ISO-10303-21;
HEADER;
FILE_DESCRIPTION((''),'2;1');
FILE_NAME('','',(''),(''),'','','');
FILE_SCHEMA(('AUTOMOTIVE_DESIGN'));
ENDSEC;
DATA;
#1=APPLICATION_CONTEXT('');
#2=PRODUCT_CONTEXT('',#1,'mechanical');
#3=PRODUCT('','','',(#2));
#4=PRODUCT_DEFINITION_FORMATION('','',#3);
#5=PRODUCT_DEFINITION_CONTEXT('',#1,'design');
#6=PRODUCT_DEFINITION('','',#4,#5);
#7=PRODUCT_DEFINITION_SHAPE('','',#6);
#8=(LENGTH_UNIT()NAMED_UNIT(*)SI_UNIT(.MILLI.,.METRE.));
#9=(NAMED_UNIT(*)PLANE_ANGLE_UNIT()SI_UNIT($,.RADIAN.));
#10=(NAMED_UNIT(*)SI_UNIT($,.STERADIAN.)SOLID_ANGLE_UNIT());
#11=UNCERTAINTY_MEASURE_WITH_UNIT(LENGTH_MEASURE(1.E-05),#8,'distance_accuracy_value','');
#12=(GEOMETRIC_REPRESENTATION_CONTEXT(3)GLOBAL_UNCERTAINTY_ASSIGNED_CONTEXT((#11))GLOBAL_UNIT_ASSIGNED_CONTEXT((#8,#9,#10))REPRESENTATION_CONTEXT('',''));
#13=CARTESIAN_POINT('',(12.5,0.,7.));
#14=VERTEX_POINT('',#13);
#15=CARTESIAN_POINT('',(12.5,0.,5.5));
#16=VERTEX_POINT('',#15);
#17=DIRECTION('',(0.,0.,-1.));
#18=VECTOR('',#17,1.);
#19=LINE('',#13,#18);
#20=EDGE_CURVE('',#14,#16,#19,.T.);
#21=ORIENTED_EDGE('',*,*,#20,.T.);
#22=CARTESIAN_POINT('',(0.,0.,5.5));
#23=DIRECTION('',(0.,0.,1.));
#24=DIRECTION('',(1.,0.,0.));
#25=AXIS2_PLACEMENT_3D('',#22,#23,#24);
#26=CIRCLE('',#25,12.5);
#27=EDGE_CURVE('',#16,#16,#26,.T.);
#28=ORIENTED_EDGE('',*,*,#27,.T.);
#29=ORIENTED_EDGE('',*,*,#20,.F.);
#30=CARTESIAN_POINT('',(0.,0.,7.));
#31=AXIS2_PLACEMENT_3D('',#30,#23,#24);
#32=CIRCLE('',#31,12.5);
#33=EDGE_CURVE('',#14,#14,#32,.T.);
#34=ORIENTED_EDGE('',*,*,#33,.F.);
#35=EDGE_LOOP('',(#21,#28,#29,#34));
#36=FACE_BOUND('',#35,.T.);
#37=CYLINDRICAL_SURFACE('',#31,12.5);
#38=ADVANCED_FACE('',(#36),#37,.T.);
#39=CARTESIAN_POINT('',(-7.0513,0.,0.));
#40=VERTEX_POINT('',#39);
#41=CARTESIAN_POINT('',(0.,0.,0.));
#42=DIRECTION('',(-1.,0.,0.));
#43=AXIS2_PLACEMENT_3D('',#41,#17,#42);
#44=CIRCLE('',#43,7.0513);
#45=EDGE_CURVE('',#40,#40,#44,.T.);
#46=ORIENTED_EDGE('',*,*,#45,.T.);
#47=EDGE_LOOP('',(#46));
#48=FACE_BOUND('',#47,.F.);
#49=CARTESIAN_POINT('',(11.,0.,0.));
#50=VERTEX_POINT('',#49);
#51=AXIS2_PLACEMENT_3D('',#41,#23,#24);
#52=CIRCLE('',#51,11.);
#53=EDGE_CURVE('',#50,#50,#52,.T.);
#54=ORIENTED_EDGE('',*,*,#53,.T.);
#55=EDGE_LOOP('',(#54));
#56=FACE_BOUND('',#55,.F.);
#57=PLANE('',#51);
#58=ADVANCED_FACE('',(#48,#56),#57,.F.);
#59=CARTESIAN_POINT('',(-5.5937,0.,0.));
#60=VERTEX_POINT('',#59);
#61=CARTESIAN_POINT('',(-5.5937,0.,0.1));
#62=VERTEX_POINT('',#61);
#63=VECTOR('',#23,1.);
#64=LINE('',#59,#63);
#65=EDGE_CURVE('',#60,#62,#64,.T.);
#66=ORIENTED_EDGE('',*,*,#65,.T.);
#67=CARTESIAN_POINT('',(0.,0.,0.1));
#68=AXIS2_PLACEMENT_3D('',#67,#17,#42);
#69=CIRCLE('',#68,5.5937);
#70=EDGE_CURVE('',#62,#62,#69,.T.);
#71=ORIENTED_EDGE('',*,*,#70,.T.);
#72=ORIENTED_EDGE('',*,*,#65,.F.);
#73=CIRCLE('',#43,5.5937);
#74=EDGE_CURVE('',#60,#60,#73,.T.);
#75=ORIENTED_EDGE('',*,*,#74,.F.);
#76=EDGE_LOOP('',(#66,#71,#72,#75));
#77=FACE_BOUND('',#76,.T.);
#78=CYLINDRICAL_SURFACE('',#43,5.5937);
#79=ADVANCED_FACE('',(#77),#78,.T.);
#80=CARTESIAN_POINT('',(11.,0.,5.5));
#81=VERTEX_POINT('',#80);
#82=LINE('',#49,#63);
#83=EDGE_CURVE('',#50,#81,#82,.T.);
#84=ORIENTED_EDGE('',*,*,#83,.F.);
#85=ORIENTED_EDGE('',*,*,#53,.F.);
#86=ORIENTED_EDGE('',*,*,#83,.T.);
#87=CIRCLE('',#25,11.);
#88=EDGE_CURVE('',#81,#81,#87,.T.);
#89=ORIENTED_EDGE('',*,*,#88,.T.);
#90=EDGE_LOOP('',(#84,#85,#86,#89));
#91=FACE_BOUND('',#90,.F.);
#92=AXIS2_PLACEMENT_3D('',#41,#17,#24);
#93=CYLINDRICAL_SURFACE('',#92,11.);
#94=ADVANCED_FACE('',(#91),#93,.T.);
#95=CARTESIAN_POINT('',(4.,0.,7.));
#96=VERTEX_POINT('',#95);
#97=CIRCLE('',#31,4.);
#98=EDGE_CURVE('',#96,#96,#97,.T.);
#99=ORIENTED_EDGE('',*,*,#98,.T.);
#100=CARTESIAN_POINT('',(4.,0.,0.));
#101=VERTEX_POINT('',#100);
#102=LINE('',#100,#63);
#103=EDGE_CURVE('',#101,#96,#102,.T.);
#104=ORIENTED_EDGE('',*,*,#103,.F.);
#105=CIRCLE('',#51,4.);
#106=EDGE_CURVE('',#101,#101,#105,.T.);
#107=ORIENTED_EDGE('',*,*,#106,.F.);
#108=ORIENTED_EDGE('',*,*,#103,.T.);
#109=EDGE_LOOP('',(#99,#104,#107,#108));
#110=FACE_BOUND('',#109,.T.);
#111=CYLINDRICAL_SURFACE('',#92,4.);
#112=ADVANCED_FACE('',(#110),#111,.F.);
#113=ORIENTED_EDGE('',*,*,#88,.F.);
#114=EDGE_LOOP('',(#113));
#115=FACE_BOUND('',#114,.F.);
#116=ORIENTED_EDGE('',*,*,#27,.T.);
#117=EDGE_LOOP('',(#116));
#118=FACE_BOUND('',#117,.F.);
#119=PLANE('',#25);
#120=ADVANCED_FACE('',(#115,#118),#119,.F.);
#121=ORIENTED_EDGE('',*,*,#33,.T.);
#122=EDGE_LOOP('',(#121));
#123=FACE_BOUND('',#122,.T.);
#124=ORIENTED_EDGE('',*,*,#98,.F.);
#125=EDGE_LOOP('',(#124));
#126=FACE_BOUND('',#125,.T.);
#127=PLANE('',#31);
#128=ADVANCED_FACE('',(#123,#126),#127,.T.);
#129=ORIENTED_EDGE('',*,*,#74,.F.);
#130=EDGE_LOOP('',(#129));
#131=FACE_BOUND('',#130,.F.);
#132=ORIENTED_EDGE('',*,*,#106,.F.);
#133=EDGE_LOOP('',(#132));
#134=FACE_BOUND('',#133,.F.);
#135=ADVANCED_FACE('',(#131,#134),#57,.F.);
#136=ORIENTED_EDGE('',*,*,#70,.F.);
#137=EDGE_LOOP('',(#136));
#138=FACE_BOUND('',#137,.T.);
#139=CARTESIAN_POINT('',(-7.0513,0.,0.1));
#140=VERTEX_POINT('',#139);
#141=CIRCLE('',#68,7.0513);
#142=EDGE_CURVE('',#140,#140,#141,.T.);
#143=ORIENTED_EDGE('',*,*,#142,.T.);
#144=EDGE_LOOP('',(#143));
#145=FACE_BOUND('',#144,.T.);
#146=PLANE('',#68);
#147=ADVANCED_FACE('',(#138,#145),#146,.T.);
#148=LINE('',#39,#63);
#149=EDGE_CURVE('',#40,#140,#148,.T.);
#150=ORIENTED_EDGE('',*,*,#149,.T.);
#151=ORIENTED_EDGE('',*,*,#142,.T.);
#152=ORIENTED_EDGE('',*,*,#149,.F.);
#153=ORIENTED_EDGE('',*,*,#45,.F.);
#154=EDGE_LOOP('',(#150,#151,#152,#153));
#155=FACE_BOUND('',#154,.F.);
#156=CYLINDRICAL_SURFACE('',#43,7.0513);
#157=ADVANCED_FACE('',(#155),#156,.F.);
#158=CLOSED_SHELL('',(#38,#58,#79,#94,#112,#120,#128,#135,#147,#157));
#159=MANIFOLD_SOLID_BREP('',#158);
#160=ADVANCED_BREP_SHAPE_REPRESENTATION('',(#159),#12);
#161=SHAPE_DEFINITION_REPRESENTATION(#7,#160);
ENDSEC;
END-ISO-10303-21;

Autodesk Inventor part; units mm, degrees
ref_plane "YZ Plane" through (0, 0, 0) normal (1, 0, 0) x (0, 1, 0)
ref_plane "XZ Plane" through (0, 0, 0) normal (0, 1, 0) x (-1, 0, 0)
ref_plane "XY Plane" through (0, 0, 0) normal (0, 0, 1) x (1, 0, 0)
sketch "Sketch1" plane through (0, 0, 0) normal (0, 0, 1) x (1, 0, 0)
  circle A0 centre (0, 0) radius 4
  circle A1 centre (0, 0) radius 11
  dimension "d0" = 8
  dimension "d1" = 22
extrude "Extrusion1" add sketch "Sketch1" along normal blind 7
sketch "Sketch2" plane through (0, 0, 7) normal (0, 0, 1) x (1, 0, 0)
  circle A0 centre (0, 0) radius 11 projected
  circle A1 centre (0, 0) radius 12.5
  dimension "d4" = 25
extrude "Extrusion2" add sketch "Sketch2" against normal blind 1.5
sketch "Sketch3" plane through (0, 0, 0) normal (0, 0, -1) x (-1, 0, 0)
  circle A0 centre (0, 0) radius 11 projected
  circle A1 centre (0, 0) radius 5.5937
  circle A2 centre (0, 0) radius 7.0513
extrude "Extrusion3" cut sketch "Sketch3" against normal blind 0.1 contours A2
properties part number "30169-01" material "Steel, Mild"
